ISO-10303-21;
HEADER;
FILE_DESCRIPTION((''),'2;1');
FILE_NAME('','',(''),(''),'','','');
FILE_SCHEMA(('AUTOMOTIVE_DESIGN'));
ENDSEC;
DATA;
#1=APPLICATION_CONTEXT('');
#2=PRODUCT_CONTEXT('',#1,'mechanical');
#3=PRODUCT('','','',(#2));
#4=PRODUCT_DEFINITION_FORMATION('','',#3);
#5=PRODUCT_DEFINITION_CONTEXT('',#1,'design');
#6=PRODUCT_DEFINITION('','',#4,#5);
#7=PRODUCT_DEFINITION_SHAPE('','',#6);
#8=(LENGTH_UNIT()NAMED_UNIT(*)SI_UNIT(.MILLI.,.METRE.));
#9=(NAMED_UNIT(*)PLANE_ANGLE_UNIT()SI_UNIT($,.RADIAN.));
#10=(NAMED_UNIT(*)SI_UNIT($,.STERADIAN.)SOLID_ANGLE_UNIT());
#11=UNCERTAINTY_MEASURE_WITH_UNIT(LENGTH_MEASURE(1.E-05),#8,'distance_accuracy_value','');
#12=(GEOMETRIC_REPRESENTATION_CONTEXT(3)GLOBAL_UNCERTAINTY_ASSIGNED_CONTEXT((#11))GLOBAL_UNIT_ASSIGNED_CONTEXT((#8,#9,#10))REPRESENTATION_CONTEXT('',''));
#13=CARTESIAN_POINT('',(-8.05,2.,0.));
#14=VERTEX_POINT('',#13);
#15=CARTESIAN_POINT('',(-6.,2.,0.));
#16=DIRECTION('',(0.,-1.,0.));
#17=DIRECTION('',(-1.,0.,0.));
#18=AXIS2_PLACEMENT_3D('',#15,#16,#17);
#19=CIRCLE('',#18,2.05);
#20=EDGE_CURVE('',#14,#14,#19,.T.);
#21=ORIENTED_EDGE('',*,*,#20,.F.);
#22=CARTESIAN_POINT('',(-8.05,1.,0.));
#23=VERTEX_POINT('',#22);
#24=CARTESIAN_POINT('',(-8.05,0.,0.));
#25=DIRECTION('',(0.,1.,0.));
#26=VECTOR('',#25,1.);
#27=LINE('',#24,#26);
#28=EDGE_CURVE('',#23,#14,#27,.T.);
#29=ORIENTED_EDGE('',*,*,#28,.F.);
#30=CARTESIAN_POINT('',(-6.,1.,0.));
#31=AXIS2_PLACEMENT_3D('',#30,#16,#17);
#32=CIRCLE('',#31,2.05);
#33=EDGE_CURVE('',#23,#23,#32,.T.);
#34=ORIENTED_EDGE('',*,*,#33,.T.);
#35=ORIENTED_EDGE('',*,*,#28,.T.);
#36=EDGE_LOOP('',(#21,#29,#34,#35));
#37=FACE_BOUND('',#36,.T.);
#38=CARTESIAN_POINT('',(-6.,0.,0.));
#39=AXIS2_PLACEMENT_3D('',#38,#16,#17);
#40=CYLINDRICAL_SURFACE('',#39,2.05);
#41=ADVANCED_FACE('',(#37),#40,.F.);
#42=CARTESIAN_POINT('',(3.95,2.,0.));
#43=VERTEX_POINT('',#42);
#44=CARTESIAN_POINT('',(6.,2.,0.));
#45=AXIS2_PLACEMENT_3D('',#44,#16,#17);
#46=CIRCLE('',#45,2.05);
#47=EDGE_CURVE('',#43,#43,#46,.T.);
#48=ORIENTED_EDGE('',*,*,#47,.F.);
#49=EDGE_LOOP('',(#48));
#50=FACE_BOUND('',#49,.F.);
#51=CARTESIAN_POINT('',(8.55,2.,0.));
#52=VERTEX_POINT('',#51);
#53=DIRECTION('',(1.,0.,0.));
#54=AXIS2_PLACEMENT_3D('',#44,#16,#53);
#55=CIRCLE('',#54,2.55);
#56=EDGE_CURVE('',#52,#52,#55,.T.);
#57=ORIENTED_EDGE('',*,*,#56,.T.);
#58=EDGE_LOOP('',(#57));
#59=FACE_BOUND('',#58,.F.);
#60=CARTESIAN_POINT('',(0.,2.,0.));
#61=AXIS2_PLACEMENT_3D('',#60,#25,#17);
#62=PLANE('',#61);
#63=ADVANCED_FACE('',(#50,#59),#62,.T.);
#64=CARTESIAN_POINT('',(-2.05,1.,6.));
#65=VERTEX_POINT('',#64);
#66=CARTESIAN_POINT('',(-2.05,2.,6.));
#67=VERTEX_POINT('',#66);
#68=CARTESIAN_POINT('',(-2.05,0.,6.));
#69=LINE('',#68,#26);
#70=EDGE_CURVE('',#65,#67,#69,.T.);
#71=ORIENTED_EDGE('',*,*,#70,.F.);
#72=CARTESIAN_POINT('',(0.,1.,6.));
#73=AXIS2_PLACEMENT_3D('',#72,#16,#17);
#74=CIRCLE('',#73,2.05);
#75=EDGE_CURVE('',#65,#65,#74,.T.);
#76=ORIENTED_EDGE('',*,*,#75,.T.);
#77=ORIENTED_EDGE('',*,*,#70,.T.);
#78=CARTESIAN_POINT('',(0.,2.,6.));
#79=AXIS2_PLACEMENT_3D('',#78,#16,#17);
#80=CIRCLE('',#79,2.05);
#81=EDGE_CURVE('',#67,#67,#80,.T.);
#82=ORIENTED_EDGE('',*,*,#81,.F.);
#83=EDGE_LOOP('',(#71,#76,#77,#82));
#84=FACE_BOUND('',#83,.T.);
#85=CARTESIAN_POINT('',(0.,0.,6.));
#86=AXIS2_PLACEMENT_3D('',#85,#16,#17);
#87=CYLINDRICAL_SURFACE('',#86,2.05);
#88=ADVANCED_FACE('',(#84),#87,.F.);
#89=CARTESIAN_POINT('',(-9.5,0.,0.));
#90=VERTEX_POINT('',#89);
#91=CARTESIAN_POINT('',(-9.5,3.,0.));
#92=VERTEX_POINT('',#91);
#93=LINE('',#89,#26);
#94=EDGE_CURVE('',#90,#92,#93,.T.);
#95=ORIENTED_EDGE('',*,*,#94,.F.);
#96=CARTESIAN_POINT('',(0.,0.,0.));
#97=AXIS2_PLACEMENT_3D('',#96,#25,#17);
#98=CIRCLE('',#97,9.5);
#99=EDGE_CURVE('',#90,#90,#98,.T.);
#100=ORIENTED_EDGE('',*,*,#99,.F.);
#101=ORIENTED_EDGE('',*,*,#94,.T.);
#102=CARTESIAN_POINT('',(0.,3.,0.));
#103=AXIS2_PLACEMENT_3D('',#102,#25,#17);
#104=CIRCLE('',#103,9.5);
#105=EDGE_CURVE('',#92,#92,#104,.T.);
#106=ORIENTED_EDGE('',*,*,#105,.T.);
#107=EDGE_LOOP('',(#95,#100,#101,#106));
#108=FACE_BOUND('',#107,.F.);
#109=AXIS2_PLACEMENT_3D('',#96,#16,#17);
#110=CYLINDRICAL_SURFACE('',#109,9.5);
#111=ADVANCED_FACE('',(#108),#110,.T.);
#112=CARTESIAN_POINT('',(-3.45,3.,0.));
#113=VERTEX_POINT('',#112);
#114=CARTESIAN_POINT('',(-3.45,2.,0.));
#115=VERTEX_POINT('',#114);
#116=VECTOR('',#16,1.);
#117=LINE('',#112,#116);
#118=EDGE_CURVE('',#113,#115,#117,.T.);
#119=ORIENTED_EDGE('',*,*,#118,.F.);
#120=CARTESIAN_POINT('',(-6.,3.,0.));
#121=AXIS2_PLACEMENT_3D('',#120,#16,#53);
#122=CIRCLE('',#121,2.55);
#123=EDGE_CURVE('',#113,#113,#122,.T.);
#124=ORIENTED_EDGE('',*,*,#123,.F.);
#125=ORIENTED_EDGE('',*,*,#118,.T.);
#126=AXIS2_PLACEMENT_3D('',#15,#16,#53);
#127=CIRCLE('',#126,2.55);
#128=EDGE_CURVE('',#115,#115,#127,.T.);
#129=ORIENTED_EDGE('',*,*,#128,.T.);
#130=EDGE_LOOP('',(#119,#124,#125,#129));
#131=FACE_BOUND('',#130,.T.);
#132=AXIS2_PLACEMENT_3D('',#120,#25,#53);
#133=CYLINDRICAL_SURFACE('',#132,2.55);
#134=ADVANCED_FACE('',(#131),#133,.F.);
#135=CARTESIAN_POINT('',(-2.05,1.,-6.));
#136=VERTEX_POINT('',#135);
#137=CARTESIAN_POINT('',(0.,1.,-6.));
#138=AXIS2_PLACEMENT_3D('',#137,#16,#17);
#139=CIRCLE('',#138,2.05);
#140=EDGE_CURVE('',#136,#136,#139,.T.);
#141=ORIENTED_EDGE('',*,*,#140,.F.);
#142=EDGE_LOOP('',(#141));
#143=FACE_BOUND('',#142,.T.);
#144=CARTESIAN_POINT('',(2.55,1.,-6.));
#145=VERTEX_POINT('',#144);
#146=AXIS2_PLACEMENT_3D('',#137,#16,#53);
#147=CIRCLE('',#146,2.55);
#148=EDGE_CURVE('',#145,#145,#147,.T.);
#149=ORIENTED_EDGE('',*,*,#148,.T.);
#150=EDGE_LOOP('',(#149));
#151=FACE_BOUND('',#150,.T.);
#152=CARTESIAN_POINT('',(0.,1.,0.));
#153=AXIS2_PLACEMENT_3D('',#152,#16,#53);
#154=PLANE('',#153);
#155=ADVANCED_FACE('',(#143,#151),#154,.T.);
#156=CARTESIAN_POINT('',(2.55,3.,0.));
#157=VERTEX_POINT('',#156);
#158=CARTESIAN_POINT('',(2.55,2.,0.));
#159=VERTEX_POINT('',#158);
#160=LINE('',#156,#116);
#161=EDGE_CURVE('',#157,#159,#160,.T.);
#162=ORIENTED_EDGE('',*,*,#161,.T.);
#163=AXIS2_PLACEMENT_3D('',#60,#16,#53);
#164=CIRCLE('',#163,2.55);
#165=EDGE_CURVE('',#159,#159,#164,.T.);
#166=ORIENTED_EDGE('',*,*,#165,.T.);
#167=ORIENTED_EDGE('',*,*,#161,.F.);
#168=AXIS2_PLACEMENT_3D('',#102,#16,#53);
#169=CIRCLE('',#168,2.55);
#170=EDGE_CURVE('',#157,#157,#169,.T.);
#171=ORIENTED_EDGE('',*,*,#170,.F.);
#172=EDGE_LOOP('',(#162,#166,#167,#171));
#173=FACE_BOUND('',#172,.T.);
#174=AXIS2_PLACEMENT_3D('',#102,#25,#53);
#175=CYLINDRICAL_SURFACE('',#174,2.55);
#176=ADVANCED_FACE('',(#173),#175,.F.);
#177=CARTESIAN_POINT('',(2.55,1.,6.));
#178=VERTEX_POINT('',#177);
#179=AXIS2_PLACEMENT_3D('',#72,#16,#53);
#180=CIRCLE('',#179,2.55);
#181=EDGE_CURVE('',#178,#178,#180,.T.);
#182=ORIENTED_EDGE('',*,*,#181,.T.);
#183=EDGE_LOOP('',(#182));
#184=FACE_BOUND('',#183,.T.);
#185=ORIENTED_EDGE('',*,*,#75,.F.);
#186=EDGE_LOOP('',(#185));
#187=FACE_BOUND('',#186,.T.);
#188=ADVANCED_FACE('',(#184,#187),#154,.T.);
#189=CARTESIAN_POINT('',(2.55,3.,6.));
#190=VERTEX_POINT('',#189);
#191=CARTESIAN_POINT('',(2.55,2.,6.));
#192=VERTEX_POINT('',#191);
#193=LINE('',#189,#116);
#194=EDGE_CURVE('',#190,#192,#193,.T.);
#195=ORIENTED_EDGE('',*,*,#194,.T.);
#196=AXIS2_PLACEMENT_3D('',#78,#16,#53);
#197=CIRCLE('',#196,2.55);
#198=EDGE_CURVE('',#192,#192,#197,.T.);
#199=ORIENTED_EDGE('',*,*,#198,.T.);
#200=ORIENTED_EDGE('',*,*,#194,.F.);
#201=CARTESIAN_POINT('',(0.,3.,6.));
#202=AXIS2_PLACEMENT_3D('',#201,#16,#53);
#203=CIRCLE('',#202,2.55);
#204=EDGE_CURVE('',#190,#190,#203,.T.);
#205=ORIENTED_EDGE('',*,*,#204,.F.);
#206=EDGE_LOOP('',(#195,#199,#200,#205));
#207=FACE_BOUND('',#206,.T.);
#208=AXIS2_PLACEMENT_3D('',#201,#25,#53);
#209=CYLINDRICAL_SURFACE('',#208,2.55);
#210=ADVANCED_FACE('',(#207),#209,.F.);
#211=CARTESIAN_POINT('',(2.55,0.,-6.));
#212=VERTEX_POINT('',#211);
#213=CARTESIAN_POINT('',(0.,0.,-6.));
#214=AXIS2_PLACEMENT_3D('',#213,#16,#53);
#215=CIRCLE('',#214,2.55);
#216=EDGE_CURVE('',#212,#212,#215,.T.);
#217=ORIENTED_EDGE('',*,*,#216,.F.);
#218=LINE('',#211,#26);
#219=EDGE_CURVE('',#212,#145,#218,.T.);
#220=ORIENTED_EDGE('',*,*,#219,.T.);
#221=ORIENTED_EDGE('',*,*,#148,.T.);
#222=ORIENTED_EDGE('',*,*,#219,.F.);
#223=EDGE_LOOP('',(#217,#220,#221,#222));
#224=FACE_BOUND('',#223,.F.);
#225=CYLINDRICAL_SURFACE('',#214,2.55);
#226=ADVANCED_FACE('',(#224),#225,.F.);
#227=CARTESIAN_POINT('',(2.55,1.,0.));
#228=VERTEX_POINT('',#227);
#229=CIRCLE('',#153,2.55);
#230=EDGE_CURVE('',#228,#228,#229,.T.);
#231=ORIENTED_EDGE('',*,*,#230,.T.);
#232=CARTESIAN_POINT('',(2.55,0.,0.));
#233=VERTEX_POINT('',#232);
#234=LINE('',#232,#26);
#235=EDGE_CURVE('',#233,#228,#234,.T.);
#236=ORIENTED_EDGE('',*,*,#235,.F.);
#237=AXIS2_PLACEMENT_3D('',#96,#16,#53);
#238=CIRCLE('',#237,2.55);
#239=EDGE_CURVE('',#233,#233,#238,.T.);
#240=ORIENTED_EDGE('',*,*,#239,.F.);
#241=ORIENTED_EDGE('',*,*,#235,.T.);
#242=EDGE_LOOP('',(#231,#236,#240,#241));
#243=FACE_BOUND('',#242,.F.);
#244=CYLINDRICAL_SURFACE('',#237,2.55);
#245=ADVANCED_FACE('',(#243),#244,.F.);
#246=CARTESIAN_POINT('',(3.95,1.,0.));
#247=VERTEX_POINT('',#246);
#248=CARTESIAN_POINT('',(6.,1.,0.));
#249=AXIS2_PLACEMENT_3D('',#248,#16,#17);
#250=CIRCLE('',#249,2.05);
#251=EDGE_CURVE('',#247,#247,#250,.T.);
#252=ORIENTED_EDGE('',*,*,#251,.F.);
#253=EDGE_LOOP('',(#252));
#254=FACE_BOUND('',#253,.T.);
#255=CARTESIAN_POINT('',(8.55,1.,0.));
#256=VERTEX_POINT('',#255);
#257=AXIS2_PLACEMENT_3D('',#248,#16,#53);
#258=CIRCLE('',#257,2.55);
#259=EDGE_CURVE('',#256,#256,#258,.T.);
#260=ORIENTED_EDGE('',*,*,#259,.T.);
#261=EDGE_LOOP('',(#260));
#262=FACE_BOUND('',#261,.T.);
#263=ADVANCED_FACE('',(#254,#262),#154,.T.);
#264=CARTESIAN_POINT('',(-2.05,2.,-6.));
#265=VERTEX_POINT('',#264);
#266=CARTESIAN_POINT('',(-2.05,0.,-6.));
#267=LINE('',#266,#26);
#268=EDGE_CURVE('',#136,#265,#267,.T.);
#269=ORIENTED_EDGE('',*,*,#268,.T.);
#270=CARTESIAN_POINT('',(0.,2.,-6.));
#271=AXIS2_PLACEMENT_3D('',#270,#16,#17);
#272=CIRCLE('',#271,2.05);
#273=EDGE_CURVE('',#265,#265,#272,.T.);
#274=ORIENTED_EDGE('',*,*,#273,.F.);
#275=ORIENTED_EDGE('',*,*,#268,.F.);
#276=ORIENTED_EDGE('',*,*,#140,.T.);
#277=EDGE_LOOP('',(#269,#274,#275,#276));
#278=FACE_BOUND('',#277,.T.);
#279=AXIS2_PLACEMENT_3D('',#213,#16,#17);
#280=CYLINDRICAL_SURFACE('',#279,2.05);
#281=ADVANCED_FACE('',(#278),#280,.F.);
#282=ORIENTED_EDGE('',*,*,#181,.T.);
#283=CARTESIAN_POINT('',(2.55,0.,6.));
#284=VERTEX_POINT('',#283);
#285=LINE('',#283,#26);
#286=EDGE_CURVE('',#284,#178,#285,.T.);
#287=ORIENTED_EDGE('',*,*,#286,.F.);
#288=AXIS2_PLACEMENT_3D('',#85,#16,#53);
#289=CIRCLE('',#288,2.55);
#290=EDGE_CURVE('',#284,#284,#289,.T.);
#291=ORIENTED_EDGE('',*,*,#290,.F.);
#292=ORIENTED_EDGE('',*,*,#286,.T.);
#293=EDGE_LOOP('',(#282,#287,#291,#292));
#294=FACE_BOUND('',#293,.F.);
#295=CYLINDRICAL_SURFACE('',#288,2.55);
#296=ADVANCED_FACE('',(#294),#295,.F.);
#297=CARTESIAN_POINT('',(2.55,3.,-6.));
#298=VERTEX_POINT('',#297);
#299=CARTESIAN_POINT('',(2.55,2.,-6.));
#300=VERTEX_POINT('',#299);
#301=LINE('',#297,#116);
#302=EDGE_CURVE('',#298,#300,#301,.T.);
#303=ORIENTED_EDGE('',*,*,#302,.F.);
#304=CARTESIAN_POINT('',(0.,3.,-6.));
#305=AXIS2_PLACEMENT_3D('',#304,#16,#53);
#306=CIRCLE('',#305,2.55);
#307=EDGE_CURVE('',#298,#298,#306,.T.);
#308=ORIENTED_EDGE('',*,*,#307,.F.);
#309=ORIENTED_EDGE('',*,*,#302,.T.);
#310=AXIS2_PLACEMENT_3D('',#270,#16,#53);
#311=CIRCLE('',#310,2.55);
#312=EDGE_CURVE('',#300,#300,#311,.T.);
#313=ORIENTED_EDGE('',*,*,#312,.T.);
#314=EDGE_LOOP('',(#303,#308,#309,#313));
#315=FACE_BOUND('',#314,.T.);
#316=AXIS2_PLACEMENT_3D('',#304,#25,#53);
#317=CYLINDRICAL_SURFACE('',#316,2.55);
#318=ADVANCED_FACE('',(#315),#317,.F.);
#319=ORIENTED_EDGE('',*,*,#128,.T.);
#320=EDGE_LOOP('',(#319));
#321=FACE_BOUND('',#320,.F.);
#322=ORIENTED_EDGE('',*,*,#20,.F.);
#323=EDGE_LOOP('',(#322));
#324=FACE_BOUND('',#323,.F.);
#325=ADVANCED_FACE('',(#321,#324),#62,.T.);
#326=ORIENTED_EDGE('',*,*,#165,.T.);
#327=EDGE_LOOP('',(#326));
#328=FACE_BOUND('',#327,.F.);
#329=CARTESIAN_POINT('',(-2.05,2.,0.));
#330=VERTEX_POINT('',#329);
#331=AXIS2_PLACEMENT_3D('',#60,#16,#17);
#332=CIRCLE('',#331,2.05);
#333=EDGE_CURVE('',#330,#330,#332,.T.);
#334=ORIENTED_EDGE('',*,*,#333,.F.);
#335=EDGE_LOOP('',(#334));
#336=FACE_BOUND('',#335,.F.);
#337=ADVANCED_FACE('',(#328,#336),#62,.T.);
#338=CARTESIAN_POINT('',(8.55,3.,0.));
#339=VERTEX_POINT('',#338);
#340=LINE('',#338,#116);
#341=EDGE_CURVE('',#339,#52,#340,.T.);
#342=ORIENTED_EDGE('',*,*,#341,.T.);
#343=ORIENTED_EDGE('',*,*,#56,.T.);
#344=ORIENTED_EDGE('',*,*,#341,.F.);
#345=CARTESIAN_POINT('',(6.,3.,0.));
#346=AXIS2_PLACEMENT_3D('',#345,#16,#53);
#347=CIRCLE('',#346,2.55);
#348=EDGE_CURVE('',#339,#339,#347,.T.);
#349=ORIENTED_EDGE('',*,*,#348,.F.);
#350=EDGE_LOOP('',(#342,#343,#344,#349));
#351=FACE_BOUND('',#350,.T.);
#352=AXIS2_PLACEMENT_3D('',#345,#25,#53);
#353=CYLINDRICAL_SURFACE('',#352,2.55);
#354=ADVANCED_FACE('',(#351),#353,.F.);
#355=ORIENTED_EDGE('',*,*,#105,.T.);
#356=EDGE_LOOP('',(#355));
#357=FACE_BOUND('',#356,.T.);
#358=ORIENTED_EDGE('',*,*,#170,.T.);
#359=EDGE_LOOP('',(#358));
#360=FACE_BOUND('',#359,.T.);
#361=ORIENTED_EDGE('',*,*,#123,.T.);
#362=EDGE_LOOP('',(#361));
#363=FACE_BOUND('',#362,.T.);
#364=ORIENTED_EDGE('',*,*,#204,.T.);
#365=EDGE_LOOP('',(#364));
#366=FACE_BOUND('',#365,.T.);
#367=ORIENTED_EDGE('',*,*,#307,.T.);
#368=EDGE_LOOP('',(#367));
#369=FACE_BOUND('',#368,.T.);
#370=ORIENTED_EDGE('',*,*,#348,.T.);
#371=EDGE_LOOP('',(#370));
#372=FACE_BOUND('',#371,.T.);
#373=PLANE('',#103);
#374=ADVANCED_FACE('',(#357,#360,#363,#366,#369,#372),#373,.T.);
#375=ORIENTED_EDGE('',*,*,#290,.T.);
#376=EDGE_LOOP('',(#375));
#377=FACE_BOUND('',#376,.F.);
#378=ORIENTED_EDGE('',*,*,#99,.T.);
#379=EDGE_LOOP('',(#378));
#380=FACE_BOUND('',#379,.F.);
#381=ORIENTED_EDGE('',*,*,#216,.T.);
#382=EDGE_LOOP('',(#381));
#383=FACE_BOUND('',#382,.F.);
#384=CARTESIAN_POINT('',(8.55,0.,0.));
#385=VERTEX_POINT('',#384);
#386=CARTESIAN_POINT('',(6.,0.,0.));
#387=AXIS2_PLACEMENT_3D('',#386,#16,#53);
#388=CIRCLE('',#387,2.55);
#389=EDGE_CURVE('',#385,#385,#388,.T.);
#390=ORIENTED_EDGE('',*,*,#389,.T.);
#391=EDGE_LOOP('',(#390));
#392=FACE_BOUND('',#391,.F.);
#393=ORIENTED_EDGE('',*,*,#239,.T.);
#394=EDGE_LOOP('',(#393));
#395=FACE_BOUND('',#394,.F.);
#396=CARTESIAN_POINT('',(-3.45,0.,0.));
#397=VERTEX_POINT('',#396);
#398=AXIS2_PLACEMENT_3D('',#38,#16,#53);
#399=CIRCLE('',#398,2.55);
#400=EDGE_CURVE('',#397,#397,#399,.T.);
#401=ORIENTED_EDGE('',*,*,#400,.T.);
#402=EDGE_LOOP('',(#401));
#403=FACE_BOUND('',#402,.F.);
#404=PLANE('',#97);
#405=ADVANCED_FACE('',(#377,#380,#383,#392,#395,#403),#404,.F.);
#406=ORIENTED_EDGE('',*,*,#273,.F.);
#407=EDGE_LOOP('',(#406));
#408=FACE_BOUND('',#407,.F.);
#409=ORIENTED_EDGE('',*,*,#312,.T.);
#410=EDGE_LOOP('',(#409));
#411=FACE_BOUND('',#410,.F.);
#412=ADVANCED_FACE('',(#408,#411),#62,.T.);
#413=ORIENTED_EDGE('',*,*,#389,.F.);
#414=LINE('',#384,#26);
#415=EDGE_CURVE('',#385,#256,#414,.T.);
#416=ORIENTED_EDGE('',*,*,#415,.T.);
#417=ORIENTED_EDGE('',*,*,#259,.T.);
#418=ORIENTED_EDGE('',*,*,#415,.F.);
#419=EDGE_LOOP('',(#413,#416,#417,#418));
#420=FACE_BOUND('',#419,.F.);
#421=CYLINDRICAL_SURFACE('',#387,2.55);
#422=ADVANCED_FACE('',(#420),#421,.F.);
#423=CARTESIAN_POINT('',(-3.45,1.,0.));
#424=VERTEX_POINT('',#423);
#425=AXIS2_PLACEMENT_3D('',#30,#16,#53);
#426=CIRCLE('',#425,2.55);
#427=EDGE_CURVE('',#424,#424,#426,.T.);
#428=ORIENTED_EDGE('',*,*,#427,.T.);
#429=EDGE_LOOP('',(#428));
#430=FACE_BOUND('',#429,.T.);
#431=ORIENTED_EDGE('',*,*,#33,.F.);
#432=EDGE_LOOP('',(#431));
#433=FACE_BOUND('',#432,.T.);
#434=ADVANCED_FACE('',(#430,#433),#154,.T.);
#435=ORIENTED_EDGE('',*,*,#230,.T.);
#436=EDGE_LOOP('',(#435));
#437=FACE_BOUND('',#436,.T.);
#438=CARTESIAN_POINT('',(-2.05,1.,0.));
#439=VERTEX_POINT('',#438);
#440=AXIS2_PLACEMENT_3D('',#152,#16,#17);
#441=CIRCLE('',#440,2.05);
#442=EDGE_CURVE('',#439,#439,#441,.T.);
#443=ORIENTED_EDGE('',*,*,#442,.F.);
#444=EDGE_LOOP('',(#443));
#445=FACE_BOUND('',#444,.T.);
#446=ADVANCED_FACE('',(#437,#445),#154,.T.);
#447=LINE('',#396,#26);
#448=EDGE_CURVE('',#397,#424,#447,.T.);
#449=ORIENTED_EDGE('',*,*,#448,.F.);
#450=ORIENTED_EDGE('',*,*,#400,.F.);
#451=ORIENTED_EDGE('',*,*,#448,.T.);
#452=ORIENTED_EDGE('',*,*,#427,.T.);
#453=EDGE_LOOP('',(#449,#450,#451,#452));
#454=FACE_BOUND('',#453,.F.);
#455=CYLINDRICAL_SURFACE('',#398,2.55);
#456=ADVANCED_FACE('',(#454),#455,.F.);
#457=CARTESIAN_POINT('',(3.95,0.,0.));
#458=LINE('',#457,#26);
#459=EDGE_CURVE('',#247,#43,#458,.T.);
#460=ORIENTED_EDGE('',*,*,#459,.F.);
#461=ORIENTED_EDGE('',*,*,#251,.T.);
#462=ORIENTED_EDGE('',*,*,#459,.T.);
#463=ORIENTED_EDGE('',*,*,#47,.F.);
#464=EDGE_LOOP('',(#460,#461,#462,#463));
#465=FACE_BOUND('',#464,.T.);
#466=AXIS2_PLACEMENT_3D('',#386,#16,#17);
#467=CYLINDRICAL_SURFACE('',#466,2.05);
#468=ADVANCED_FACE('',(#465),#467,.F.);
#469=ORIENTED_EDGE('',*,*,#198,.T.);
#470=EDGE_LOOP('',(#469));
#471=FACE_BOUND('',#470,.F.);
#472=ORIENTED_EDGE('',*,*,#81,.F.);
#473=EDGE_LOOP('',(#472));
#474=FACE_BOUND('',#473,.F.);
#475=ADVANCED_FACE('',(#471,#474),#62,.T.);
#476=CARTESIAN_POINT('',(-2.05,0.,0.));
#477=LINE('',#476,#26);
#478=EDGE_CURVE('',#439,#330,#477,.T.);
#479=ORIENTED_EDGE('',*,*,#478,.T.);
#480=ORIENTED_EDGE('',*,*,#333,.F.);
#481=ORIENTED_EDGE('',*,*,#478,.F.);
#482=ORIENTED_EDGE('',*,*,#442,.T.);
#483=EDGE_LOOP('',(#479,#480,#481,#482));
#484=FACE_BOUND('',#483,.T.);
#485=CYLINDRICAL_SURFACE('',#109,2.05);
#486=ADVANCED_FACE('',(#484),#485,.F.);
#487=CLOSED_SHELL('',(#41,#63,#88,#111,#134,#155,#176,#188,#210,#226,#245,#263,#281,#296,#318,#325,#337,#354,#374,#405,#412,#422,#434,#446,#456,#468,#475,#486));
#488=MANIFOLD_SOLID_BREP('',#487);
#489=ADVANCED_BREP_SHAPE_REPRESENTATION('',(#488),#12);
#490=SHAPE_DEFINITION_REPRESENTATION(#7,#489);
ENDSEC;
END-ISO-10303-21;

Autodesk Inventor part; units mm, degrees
ref_plane "YZ Plane" through (0, 0, 0) normal (1, 0, 0) x (0, 1, 0)
ref_plane "XZ Plane" through (0, 0, 0) normal (0, 1, 0) x (-1, 0, 0)
sketch "Esquisse1" plane through (0, 0, 0) normal (0, 1, 0) x (-1, 0, 0)
  circle A0 centre (0, 0) radius 9.5
  circle A1 centre (0, 0) radius 2.05
  line L0 (0, 9.5) -> (0, -9.5) construction
  line L1 (-9.5, 0) -> (9.5, 0) construction
  circle A2 centre (0, -6) radius 2.05
  circle A3 centre (0, 6) radius 2.05
  circle A4 centre (0, 0) radius 2.05
  circle A5 centre (6, 0) radius 2.05
  circle A6 centre (-6, 0) radius 2.05
  circle A7 centre (0, 0) radius 2.05
  dimension "d0" = 19
  dimension "d1" = 4.1
  dimension "d4" = 6
  dimension "d7" = 6
  dimension "d12" = 6
  dimension "d15" = 6
extrude "Extrusion1" add sketch "Esquisse1" along normal blind 3
sketch "Sketch2" plane through (0, 0, 0) normal (0, -1, 0) x (1, 0, 0)
  circle A0 centre (-6, 0) radius 2.05 projected
  circle A1 centre (-6, 0) radius 2.55
  circle A2 centre (0, 6) radius 2.05 projected
  circle A3 centre (0, 6) radius 2.55
  circle A4 centre (0, 0) radius 2.55
  circle A5 centre (6, 0) radius 2.05 projected
  circle A6 centre (6, 0) radius 2.55
  circle A7 centre (0, -6) radius 2.05 projected
  circle A8 centre (0, -6) radius 2.55
  dimension "d20" = 5.1
  dimension "d21" = 5.1
  dimension "d22" = 5.1
  dimension "d23" = 5.1
  dimension "d24" = 5.1
extrude "Extrusion2" cut sketch "Sketch2" against normal blind 1
ref_plane "Work Plane1" through (0, 1.5, 0) normal (0, -1, 0) x (1, 0, 0)
mirror "Mirror1" about plane through (0, 1.5, 0) normal (0, -1, 0) of "Extrusion2"
properties part number "XL320_IdlerToOllo"
